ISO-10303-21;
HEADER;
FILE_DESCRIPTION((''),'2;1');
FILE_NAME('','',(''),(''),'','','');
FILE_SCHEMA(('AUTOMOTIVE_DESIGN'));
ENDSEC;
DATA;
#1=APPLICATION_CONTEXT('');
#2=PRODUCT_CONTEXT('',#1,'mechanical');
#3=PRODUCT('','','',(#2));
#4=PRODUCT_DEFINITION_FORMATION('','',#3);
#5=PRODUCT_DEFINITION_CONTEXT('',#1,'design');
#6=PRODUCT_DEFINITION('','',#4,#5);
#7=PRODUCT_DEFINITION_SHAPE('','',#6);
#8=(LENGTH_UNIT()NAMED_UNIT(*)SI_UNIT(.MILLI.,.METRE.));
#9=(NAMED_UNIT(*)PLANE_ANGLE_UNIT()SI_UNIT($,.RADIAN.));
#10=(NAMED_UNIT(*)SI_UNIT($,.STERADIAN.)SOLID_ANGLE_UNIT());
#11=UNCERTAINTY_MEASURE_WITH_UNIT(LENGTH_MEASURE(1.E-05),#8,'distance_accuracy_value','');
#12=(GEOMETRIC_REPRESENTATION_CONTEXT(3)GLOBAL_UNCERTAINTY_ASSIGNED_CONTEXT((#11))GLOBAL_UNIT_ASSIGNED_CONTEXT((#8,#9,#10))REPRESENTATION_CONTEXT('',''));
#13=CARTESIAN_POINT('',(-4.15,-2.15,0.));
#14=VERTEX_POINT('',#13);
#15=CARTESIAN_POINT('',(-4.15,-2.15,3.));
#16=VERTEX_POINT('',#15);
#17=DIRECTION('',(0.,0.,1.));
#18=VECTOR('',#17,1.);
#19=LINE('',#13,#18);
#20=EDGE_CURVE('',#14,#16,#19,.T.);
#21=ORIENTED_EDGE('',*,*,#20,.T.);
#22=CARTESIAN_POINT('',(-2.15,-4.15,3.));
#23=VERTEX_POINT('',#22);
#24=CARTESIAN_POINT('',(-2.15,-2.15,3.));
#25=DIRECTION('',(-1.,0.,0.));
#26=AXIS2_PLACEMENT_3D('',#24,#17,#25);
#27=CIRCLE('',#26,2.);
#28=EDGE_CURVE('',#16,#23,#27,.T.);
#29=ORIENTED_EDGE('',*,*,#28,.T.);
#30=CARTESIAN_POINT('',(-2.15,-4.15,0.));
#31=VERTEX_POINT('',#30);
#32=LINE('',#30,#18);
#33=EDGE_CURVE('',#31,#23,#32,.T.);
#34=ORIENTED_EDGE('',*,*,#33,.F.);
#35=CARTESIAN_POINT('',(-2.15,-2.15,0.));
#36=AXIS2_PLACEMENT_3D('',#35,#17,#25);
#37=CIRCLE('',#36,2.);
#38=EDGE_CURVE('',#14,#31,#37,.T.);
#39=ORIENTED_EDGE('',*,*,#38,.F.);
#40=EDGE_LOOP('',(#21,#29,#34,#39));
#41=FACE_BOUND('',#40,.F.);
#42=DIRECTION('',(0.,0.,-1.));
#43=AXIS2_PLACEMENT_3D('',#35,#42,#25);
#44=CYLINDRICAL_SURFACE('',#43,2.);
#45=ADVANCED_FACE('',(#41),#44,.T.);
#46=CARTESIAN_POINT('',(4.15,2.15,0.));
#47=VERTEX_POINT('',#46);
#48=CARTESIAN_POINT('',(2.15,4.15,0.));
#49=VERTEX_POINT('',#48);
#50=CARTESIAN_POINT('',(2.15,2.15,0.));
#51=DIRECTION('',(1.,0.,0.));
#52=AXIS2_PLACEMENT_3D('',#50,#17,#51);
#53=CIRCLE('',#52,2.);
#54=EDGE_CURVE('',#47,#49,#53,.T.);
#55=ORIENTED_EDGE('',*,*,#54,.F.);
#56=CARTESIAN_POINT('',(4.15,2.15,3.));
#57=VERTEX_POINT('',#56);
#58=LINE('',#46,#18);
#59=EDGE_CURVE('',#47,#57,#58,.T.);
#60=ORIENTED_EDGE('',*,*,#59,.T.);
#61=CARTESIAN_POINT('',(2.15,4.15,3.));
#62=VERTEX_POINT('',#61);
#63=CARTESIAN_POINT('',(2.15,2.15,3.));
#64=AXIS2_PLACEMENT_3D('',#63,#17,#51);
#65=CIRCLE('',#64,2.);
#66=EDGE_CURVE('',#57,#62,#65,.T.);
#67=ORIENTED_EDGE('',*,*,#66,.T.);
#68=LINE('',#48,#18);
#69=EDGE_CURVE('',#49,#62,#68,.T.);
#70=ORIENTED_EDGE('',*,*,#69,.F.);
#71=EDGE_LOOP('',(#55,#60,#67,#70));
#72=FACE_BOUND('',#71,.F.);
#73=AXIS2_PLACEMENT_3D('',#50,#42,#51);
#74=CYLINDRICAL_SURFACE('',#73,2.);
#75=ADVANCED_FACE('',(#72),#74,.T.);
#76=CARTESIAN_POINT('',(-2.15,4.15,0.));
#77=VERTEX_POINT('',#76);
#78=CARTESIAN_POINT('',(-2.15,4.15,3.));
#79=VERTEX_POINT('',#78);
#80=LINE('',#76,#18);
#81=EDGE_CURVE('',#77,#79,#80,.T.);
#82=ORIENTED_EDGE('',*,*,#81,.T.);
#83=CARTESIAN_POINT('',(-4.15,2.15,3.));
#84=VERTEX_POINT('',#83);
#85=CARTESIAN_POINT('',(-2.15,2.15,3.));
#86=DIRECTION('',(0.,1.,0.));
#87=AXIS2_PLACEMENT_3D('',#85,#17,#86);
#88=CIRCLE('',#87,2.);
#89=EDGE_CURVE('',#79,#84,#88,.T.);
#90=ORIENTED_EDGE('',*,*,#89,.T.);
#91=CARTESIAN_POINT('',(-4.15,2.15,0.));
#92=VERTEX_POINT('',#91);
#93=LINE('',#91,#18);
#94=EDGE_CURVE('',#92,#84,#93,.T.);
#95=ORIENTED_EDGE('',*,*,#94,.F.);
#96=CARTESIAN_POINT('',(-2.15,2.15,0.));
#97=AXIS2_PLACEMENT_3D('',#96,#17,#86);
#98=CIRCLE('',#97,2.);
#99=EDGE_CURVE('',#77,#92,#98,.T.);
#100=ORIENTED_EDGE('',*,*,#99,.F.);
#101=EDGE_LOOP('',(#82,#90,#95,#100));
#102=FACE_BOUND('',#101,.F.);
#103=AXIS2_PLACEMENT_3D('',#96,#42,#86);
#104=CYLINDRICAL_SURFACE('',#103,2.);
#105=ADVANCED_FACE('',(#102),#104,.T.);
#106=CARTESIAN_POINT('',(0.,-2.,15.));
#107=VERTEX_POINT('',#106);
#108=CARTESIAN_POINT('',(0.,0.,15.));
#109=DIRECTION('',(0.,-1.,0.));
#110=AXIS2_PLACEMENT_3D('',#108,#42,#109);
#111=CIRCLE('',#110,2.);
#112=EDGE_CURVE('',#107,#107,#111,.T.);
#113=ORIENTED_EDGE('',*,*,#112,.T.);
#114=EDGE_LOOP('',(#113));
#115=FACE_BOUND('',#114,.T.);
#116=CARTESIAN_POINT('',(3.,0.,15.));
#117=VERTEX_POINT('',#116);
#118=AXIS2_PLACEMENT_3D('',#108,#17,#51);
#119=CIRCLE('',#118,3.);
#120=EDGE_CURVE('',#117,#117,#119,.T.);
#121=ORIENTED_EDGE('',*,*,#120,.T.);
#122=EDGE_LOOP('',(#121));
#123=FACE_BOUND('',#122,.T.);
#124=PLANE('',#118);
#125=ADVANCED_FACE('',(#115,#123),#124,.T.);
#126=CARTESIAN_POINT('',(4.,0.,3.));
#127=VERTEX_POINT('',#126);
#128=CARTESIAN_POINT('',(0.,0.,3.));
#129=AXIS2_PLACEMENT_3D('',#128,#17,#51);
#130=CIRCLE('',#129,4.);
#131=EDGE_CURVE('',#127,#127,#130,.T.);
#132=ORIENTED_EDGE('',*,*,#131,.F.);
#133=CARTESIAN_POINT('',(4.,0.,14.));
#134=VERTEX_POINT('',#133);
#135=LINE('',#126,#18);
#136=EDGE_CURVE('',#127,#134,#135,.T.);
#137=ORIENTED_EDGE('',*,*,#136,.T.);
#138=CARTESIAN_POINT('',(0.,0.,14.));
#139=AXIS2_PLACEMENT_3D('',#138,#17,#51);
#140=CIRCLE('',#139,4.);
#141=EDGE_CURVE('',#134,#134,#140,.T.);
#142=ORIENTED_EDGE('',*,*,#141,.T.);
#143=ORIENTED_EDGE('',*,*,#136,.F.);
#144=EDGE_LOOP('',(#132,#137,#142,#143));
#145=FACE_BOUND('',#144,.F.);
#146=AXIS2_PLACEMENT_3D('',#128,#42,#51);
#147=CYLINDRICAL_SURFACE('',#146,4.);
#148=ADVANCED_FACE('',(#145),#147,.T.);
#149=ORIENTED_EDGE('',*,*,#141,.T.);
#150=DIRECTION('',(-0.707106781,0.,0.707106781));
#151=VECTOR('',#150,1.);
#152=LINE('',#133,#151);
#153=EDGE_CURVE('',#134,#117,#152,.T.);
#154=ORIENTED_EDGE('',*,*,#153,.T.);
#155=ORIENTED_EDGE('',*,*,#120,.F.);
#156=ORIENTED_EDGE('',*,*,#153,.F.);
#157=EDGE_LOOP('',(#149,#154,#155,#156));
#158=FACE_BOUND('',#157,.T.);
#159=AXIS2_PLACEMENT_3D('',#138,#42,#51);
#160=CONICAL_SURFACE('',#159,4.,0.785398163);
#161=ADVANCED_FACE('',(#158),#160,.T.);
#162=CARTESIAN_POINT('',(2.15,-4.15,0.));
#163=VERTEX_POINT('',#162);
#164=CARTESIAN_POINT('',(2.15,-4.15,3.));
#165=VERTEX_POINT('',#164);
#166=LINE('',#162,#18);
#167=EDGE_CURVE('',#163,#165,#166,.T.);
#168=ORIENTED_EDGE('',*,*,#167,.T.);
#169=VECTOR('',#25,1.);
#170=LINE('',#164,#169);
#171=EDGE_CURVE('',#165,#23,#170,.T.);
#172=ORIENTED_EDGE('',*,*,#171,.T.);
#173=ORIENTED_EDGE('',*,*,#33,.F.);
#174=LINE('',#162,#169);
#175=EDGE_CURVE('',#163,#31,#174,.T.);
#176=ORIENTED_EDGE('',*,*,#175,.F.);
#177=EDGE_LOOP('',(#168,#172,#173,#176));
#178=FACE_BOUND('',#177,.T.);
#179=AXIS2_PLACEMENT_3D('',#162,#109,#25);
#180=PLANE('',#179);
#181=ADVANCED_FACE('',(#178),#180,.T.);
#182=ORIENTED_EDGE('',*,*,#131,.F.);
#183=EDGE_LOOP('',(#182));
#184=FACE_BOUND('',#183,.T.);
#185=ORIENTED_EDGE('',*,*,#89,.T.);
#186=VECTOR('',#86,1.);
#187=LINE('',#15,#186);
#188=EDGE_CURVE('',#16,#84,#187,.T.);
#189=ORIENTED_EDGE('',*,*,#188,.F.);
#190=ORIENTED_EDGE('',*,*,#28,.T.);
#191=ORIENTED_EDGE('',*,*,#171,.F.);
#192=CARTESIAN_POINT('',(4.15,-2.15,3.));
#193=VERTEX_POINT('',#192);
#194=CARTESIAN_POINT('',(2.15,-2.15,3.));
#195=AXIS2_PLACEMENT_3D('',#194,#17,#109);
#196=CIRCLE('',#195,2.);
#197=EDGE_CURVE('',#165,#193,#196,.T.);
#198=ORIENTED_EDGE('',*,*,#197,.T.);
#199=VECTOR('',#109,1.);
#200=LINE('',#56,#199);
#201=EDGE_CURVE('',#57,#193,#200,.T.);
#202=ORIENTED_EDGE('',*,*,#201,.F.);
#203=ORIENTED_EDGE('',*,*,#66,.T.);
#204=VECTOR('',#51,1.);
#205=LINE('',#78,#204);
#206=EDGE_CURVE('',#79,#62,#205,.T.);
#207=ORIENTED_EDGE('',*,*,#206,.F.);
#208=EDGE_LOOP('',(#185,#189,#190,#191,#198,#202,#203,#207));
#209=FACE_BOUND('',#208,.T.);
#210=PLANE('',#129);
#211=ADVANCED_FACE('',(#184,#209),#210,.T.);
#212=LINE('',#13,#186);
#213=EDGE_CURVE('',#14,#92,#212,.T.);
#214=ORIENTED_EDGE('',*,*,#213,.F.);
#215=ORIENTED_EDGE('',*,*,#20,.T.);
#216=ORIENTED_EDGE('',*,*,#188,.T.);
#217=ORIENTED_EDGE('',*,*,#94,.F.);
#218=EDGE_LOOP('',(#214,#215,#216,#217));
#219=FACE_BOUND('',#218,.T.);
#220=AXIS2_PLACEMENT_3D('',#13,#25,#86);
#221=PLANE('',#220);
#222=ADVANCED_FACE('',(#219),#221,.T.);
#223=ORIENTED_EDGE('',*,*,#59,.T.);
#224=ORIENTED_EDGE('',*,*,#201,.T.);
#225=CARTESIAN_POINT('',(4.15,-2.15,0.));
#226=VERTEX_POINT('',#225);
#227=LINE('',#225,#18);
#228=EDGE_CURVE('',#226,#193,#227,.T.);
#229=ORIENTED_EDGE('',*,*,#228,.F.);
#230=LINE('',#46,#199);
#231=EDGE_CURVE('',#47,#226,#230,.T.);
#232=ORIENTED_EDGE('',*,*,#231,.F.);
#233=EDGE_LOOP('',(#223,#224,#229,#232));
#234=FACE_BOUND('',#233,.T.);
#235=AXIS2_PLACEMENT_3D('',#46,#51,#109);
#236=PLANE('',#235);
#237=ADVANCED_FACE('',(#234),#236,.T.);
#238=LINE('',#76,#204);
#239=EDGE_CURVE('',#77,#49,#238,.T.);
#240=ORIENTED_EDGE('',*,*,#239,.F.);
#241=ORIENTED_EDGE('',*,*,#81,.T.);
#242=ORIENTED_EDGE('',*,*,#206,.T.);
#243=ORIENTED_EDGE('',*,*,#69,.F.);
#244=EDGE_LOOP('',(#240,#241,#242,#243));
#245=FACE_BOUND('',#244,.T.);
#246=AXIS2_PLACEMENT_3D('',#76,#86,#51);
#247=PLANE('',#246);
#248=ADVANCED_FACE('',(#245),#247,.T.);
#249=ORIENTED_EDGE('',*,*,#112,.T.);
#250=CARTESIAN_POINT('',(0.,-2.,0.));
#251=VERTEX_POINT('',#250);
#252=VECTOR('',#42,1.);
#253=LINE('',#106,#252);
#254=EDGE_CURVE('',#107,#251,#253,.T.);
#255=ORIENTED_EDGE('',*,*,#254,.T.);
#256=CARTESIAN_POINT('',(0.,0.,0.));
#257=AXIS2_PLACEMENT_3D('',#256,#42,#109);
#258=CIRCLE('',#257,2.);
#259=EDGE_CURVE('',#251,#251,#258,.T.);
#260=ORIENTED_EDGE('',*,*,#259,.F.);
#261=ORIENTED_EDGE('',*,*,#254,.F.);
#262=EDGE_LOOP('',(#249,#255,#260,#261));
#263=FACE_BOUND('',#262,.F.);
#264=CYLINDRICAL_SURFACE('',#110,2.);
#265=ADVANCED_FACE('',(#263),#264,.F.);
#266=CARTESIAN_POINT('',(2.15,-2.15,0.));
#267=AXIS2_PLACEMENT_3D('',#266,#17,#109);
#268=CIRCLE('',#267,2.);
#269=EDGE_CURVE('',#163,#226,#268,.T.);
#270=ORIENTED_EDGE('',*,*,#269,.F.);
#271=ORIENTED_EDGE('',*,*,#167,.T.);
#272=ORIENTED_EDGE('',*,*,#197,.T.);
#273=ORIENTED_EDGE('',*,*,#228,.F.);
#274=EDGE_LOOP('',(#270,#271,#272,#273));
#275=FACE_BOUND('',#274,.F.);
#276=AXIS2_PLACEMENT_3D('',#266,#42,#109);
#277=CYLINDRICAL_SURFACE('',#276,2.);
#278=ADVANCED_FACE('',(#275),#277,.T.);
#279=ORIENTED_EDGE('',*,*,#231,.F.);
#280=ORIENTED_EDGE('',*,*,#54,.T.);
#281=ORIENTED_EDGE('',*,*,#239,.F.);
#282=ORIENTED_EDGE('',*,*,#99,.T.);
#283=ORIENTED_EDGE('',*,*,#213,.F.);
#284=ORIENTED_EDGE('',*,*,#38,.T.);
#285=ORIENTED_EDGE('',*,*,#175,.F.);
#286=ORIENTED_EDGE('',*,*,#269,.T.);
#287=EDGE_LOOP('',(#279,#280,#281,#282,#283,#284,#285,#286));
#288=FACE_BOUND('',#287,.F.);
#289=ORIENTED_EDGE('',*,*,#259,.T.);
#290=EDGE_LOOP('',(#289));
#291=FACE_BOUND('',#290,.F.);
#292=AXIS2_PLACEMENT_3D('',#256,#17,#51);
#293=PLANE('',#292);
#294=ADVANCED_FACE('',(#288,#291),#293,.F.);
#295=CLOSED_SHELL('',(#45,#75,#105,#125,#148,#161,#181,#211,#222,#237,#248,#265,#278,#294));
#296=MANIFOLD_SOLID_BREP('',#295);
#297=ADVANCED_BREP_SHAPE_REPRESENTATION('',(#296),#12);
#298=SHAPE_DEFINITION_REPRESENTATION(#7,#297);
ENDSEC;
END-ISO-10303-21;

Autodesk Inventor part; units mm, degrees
ref_plane "YZ Plane" through (0, 0, 0) normal (1, 0, 0) x (0, 1, 0)
ref_plane "XZ Plane" through (0, 0, 0) normal (0, 1, 0) x (-1, 0, 0)
ref_plane "XY Plane" through (0, 0, 0) normal (0, 0, 1) x (1, 0, 0)
sketch "Skizze1" plane through (0, 0, 0) normal (0, 0, 1) x (1, 0, 0)
  line L0 (-2.15, 4.15) -> (2.15, 4.15)
  line L1 (4.15, 2.15) -> (4.15, -2.15)
  line L2 (2.15, -4.15) -> (-2.15, -4.15)
  line L3 (-4.15, -2.15) -> (-4.15, 2.15)
  arc A0 (-2.15, 4.15) -> (-4.15, 2.15) centre (-2.15, 2.15) ccw
  arc A1 (4.15, 2.15) -> (2.15, 4.15) centre (2.15, 2.15) ccw
  arc A2 (2.15, -4.15) -> (4.15, -2.15) centre (2.15, -2.15) ccw
  arc A3 (-4.15, -2.15) -> (-2.15, -4.15) centre (-2.15, -2.15) ccw
  line L4 (-2.15, 2.15) -> (2.15, -2.15) construction
  line L5 (2.15, 2.15) -> (-2.15, -2.15) construction
  point P0 (0, 0)
  dimension "d0" = 2
  dimension "d1" = 8.3
extrude "Extrusion1" add sketch "Skizze1" along normal blind 3
sketch "Skizze2" plane through (0, 0, 3) normal (0, 0, 1) x (1, 0, 0)
  circle A0 centre (0, 0) radius 4
  dimension "d4" = 8
extrude "Extrusion2" add sketch "Skizze2" along normal blind 12
thread "Gewinde1" size "M8x1.25" class "6g" standard "ANSI Metric M Profile" length 8 offset 4
sketch "Skizze3" plane through (0, 0, 15) normal (0, 0, 1) x (1, 0, 0)
  point P0 (0, 0)
  point P1 (0, 0)
hole "Bohrung1" at (0, 0, 15) direction (0, 0, -1) diameter 4 end through all
chamfer "Fase1" distance 1 angle 45 1 edges at (-4, 0, 15)
properties part number "Radadapter" material "Aluminium 6061"
